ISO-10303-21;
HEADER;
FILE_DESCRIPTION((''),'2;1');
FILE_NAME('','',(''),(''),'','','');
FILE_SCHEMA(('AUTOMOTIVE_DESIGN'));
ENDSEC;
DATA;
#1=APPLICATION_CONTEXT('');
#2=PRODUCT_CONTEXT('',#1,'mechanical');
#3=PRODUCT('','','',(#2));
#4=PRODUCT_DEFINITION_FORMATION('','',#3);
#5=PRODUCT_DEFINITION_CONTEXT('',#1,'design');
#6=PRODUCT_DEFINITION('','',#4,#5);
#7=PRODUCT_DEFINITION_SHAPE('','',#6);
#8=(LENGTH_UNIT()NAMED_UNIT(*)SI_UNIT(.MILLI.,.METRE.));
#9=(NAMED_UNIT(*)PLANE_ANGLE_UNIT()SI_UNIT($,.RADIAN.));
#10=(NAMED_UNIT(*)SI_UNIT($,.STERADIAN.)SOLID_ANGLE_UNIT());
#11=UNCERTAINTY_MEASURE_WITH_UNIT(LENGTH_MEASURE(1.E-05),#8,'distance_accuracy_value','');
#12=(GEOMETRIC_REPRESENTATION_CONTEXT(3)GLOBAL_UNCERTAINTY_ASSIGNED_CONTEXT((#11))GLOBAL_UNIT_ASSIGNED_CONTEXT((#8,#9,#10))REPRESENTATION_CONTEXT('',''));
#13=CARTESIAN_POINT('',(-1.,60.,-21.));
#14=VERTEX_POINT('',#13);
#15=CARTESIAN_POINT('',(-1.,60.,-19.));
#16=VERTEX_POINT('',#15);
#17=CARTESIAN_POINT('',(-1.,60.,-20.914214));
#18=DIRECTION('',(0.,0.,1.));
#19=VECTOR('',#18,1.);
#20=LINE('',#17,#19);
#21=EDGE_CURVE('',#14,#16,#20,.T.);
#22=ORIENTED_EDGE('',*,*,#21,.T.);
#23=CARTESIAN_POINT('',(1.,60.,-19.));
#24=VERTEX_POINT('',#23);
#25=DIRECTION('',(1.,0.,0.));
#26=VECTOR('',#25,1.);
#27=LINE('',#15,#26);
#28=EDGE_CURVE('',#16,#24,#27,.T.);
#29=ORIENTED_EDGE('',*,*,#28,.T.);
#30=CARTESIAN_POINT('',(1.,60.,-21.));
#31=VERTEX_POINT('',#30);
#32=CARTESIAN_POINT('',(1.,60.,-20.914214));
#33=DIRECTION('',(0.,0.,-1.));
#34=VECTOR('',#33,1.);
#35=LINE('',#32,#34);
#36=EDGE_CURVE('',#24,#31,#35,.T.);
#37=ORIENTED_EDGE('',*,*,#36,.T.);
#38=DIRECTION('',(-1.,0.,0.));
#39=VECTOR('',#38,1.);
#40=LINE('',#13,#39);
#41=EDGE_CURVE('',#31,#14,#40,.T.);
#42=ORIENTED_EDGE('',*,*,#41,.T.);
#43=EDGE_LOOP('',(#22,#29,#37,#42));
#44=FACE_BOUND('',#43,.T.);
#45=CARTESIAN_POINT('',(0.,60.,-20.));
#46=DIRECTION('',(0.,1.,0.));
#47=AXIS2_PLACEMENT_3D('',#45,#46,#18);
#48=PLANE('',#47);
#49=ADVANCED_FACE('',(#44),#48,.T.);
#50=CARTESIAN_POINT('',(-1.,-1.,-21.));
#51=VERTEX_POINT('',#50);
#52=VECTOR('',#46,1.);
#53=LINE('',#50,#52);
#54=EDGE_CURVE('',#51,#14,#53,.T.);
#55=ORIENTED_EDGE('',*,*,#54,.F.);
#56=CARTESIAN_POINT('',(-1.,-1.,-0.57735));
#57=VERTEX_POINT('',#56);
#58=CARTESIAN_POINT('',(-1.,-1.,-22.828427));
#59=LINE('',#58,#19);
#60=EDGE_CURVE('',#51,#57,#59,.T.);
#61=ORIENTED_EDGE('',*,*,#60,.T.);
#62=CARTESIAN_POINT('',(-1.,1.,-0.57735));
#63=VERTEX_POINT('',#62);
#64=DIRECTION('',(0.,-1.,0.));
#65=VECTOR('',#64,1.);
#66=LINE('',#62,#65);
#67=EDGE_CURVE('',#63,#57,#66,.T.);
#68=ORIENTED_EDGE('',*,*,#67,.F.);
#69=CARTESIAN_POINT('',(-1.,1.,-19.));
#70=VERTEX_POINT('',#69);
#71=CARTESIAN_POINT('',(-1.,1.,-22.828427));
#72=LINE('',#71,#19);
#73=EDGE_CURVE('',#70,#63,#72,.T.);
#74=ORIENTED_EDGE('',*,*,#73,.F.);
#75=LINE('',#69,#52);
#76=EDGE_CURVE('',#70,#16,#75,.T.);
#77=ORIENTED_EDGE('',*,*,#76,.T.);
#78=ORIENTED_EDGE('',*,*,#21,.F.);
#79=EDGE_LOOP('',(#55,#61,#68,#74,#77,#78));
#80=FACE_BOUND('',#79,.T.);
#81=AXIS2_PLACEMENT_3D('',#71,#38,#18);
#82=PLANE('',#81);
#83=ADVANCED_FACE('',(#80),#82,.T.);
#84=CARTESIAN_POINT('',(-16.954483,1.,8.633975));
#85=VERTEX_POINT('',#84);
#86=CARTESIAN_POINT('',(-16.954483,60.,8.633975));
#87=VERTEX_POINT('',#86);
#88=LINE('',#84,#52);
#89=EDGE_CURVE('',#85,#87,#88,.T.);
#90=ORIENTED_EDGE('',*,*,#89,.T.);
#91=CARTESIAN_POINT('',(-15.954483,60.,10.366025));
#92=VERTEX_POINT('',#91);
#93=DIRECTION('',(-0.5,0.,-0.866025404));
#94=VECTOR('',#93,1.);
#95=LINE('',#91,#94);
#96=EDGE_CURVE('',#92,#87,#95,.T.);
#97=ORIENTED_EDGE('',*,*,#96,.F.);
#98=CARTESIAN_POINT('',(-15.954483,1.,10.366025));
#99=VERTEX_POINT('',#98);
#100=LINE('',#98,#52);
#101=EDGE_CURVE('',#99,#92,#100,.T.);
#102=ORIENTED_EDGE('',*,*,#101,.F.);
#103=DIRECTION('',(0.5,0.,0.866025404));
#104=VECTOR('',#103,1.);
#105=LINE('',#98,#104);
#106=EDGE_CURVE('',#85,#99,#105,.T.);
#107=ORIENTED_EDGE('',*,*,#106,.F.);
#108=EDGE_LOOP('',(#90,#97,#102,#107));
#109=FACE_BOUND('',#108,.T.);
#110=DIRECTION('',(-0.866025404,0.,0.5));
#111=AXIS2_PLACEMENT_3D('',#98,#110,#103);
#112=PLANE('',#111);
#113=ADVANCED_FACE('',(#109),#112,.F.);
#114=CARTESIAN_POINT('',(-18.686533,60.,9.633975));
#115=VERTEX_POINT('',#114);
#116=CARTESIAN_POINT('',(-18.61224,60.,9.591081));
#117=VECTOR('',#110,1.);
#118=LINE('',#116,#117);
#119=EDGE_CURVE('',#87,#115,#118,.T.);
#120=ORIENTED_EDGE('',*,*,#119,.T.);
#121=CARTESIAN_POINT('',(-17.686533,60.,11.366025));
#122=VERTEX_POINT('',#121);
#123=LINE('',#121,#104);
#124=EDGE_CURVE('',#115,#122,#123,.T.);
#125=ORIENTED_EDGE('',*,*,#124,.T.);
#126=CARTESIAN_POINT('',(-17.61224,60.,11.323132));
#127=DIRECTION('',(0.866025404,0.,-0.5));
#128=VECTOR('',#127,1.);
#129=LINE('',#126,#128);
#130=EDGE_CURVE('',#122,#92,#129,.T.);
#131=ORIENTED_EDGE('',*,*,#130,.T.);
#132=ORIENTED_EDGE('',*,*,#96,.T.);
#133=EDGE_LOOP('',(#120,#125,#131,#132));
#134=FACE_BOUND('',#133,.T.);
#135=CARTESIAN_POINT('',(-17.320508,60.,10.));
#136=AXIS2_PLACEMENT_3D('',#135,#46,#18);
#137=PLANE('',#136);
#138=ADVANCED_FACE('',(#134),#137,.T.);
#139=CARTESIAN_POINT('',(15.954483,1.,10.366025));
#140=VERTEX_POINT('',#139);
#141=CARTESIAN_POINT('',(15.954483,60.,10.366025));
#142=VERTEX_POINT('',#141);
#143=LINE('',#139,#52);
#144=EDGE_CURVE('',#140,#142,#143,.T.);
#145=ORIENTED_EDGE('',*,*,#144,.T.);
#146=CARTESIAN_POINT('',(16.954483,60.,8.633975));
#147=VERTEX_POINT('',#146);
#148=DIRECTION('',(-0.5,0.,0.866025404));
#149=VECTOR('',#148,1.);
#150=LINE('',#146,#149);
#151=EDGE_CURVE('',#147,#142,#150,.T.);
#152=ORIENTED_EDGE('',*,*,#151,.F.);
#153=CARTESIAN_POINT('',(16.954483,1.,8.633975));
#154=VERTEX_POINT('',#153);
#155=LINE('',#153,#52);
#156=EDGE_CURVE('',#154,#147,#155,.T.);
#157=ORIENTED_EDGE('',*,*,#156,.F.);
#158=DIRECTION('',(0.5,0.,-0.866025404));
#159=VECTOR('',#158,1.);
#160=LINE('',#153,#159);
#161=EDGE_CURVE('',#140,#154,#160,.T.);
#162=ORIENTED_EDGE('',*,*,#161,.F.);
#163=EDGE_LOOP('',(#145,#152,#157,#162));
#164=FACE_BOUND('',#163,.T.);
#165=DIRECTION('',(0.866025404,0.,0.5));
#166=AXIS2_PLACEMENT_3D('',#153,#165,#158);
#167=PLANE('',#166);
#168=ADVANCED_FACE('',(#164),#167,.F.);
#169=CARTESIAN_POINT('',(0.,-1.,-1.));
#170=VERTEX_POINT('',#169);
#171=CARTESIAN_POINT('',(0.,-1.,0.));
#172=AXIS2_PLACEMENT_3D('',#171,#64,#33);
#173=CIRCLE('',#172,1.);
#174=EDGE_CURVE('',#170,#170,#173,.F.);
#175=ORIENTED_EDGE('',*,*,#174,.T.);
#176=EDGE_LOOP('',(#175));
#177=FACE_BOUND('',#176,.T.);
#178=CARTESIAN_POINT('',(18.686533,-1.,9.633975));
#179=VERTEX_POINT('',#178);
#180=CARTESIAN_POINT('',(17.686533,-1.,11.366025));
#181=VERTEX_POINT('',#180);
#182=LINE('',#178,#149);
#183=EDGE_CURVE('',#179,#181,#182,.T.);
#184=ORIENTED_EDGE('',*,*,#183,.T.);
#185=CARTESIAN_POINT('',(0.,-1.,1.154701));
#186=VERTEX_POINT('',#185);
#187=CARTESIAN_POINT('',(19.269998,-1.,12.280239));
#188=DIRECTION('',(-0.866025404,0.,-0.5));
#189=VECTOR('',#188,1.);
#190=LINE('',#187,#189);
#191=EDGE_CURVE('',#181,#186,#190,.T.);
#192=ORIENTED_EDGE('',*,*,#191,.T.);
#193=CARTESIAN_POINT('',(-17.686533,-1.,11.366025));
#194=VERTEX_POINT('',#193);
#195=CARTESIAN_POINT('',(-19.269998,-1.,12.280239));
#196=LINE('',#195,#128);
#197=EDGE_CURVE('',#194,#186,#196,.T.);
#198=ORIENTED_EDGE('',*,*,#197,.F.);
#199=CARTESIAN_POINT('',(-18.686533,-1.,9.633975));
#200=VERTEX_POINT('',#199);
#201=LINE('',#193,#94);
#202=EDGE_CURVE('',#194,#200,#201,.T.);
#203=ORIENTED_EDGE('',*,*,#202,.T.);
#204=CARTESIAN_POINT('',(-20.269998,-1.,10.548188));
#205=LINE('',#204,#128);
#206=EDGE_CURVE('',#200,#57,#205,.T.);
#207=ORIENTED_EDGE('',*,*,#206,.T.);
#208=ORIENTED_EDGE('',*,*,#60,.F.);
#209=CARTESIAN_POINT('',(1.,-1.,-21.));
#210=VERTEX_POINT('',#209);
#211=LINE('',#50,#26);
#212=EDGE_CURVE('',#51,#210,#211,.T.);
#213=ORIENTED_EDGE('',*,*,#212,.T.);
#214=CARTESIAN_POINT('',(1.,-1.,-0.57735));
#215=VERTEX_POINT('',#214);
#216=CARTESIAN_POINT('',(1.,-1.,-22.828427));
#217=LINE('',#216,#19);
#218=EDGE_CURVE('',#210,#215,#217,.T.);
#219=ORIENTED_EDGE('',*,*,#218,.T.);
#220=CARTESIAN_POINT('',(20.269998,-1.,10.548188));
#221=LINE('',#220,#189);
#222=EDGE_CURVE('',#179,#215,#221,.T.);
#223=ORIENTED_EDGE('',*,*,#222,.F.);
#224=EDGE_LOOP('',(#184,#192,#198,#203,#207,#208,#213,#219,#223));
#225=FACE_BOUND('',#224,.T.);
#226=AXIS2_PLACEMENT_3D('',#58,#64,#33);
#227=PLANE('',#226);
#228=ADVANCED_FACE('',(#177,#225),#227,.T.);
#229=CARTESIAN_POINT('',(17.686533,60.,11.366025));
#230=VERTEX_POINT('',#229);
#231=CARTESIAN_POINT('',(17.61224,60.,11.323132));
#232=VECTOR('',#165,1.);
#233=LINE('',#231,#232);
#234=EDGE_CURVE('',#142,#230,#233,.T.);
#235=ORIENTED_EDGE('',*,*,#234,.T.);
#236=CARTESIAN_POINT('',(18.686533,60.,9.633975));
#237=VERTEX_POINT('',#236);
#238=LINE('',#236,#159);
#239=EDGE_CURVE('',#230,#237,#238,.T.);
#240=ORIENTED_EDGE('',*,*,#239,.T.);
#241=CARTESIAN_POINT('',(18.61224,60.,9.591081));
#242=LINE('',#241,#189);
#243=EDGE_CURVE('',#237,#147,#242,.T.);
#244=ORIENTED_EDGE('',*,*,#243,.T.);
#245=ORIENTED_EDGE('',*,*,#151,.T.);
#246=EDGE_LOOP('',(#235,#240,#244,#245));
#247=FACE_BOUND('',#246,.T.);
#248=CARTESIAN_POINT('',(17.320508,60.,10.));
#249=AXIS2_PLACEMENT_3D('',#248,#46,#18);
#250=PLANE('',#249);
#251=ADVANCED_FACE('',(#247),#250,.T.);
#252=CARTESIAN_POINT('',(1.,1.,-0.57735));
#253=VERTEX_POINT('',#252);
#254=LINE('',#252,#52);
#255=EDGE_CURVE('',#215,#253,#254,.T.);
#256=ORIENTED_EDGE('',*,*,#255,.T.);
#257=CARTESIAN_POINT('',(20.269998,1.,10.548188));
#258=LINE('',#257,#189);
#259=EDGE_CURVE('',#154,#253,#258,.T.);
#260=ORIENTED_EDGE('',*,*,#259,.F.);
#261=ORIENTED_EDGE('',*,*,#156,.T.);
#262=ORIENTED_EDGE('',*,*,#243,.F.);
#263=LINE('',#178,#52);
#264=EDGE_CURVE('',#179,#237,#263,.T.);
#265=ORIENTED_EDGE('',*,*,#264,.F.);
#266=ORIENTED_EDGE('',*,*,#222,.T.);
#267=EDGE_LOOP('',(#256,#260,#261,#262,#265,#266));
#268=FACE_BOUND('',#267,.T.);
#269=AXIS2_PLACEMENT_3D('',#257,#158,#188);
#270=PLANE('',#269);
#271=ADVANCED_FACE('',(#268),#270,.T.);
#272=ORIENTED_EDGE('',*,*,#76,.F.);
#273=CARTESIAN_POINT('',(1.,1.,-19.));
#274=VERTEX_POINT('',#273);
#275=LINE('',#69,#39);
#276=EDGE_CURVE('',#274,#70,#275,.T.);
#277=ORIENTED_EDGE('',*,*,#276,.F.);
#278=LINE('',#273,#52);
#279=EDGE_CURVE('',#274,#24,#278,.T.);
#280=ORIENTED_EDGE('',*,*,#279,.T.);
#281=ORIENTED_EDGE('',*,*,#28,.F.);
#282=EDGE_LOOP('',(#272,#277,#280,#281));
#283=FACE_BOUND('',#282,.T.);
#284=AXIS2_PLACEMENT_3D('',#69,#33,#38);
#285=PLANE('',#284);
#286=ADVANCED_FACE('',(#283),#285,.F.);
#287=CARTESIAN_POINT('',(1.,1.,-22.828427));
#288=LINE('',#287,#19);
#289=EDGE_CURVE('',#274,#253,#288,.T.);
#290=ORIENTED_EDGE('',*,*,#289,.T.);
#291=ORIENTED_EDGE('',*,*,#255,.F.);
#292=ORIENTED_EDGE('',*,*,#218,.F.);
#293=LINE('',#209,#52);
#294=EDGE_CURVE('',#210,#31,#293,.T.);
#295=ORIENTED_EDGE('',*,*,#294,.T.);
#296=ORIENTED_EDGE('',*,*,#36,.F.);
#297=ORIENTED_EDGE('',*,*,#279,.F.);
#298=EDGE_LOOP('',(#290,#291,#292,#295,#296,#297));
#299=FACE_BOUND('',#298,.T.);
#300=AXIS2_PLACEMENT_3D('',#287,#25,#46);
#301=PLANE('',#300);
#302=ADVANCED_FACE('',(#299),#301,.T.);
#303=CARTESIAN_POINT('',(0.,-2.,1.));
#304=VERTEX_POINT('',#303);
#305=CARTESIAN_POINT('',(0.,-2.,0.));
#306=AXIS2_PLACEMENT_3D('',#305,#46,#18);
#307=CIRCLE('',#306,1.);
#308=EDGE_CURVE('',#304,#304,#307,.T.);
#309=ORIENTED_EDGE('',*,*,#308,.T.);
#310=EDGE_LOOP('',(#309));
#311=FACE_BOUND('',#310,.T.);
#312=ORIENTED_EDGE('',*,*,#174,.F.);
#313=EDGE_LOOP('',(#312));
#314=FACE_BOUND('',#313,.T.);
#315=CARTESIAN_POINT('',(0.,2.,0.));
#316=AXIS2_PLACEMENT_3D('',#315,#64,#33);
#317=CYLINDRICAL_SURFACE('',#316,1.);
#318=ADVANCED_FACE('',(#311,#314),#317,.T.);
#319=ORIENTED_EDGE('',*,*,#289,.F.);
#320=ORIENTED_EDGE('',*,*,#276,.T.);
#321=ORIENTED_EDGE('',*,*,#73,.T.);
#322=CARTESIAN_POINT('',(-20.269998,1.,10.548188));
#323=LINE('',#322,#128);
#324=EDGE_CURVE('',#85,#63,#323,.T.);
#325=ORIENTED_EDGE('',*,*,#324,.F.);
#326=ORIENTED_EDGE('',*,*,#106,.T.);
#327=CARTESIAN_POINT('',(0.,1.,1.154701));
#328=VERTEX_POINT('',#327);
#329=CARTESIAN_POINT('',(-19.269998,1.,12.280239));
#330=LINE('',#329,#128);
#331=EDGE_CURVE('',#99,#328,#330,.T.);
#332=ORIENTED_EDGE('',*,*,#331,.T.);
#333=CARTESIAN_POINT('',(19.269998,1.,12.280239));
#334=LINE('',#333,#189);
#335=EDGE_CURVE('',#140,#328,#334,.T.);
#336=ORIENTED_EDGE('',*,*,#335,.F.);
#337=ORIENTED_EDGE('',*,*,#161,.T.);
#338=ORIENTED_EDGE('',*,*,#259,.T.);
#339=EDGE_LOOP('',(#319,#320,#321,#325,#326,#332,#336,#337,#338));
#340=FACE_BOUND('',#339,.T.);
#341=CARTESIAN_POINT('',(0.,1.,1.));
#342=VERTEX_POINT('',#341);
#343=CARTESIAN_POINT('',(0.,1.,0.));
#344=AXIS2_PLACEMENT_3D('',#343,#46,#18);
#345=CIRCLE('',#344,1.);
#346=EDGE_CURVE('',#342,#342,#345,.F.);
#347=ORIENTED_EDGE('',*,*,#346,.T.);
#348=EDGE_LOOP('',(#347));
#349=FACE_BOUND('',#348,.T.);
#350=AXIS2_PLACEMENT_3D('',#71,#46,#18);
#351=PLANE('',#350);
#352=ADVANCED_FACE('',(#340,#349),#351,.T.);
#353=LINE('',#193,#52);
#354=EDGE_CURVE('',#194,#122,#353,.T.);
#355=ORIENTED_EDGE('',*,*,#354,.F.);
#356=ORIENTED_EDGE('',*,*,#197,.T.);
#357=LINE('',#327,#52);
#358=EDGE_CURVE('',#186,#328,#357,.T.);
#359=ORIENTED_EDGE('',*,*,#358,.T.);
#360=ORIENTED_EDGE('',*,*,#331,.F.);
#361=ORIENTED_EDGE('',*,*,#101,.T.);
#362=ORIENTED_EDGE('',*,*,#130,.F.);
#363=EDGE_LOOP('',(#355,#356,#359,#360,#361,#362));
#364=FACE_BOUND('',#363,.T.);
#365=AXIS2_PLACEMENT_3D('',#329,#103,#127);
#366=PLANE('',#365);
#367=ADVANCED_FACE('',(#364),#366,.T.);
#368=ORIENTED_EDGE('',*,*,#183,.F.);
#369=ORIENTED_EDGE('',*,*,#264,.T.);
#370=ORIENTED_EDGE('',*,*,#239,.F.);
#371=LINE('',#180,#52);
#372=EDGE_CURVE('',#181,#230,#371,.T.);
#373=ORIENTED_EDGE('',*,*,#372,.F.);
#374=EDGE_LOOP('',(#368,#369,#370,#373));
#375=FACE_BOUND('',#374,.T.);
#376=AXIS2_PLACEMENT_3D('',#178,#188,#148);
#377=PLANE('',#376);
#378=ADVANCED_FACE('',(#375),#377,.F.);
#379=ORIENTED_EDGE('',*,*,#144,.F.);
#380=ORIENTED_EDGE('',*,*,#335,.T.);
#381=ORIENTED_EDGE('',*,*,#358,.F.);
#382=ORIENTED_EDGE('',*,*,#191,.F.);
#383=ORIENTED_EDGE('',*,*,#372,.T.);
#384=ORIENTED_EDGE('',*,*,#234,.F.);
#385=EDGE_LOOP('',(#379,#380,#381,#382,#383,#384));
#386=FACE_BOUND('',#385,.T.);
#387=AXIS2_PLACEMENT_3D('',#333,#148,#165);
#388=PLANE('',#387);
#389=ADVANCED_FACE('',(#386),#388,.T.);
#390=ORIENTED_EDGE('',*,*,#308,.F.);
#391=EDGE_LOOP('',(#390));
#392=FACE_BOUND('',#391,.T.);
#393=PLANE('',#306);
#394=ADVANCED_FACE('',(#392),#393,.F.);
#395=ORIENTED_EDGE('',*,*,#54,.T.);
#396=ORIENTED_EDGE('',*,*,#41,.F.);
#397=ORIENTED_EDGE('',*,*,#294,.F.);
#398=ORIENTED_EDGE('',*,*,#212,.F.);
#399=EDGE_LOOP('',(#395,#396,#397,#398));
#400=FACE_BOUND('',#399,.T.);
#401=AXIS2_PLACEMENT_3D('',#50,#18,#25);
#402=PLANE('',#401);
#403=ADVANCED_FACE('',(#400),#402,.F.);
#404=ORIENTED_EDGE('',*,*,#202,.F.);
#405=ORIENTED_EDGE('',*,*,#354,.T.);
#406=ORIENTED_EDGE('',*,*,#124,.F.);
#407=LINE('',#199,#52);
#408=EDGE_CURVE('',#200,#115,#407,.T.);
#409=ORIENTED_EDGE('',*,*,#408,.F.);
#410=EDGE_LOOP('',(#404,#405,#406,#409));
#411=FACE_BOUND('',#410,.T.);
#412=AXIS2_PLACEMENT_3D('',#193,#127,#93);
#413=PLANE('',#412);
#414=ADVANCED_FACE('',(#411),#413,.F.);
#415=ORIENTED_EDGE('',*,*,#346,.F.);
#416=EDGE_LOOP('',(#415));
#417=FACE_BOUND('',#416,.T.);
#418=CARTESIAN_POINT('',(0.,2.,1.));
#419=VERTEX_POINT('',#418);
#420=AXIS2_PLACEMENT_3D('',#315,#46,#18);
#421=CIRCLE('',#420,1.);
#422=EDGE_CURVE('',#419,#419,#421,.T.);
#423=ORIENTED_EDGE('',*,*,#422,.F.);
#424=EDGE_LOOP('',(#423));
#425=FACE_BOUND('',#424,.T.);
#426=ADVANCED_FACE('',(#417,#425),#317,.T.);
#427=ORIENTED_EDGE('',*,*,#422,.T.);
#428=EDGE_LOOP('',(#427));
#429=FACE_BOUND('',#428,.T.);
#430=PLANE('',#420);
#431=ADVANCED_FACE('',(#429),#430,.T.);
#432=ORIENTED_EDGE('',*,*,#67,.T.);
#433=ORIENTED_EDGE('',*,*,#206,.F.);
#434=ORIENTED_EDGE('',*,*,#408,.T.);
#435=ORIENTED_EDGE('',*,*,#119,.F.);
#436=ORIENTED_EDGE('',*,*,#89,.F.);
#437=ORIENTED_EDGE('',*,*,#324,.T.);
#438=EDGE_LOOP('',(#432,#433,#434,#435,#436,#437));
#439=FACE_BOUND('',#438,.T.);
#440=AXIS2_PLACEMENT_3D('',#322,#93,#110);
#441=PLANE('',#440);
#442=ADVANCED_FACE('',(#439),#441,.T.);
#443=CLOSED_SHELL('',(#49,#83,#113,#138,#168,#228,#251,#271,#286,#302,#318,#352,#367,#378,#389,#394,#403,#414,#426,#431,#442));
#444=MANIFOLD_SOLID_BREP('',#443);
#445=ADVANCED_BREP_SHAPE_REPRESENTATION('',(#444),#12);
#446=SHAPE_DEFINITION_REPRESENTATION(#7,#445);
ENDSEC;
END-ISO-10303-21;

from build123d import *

# Parameters (mm, degrees)
ESQUISSE2_W                  = 2
ESQUISSE2_H                  = 2
ESQUISSE3_R                  = 1
BOSS_EXTRU_1_DEPTH           = 2
R_P_TITION_CIRCULAIRE1_COUNT = 3


with BuildPart() as part:
    # Balayage2: sweep along a curve in space
    with BuildLine() as balayage2_path:
        Line((0, 0, 0), (0, 0, -20))
        Line((0, 0, -20), (0, 60, -20))
    # Esquisse2 → Balayage2 (sweep)
    with BuildSketch(Plane.XY):
        Rectangle(ESQUISSE2_W, ESQUISSE2_H)
    balayage2 = sweep(path=balayage2_path.line, transition=Transition.RIGHT)

    # Esquisse3 → Boss.-Extru.1 (add, symmetric)
    with BuildSketch(Plane(origin=(0, 0, 0), x_dir=(1, 0, 0), z_dir=(0, 1, 0))):
        with Locations(Location((0, 0, 0), (0, 0, 270))):
            Circle(ESQUISSE3_R)
    extrude(amount=BOSS_EXTRU_1_DEPTH, both=True)

    # Répétition circulaire1: Balayage2 ×3 about axis
    r_p_tition_circulaire1_axis = Axis((0, 0, 0), (0, 1, 0))
    for i in range(1, R_P_TITION_CIRCULAIRE1_COUNT):
        add(balayage2.rotate(r_p_tition_circulaire1_axis, i * 360 / R_P_TITION_CIRCULAIRE1_COUNT))


solid = part.part
